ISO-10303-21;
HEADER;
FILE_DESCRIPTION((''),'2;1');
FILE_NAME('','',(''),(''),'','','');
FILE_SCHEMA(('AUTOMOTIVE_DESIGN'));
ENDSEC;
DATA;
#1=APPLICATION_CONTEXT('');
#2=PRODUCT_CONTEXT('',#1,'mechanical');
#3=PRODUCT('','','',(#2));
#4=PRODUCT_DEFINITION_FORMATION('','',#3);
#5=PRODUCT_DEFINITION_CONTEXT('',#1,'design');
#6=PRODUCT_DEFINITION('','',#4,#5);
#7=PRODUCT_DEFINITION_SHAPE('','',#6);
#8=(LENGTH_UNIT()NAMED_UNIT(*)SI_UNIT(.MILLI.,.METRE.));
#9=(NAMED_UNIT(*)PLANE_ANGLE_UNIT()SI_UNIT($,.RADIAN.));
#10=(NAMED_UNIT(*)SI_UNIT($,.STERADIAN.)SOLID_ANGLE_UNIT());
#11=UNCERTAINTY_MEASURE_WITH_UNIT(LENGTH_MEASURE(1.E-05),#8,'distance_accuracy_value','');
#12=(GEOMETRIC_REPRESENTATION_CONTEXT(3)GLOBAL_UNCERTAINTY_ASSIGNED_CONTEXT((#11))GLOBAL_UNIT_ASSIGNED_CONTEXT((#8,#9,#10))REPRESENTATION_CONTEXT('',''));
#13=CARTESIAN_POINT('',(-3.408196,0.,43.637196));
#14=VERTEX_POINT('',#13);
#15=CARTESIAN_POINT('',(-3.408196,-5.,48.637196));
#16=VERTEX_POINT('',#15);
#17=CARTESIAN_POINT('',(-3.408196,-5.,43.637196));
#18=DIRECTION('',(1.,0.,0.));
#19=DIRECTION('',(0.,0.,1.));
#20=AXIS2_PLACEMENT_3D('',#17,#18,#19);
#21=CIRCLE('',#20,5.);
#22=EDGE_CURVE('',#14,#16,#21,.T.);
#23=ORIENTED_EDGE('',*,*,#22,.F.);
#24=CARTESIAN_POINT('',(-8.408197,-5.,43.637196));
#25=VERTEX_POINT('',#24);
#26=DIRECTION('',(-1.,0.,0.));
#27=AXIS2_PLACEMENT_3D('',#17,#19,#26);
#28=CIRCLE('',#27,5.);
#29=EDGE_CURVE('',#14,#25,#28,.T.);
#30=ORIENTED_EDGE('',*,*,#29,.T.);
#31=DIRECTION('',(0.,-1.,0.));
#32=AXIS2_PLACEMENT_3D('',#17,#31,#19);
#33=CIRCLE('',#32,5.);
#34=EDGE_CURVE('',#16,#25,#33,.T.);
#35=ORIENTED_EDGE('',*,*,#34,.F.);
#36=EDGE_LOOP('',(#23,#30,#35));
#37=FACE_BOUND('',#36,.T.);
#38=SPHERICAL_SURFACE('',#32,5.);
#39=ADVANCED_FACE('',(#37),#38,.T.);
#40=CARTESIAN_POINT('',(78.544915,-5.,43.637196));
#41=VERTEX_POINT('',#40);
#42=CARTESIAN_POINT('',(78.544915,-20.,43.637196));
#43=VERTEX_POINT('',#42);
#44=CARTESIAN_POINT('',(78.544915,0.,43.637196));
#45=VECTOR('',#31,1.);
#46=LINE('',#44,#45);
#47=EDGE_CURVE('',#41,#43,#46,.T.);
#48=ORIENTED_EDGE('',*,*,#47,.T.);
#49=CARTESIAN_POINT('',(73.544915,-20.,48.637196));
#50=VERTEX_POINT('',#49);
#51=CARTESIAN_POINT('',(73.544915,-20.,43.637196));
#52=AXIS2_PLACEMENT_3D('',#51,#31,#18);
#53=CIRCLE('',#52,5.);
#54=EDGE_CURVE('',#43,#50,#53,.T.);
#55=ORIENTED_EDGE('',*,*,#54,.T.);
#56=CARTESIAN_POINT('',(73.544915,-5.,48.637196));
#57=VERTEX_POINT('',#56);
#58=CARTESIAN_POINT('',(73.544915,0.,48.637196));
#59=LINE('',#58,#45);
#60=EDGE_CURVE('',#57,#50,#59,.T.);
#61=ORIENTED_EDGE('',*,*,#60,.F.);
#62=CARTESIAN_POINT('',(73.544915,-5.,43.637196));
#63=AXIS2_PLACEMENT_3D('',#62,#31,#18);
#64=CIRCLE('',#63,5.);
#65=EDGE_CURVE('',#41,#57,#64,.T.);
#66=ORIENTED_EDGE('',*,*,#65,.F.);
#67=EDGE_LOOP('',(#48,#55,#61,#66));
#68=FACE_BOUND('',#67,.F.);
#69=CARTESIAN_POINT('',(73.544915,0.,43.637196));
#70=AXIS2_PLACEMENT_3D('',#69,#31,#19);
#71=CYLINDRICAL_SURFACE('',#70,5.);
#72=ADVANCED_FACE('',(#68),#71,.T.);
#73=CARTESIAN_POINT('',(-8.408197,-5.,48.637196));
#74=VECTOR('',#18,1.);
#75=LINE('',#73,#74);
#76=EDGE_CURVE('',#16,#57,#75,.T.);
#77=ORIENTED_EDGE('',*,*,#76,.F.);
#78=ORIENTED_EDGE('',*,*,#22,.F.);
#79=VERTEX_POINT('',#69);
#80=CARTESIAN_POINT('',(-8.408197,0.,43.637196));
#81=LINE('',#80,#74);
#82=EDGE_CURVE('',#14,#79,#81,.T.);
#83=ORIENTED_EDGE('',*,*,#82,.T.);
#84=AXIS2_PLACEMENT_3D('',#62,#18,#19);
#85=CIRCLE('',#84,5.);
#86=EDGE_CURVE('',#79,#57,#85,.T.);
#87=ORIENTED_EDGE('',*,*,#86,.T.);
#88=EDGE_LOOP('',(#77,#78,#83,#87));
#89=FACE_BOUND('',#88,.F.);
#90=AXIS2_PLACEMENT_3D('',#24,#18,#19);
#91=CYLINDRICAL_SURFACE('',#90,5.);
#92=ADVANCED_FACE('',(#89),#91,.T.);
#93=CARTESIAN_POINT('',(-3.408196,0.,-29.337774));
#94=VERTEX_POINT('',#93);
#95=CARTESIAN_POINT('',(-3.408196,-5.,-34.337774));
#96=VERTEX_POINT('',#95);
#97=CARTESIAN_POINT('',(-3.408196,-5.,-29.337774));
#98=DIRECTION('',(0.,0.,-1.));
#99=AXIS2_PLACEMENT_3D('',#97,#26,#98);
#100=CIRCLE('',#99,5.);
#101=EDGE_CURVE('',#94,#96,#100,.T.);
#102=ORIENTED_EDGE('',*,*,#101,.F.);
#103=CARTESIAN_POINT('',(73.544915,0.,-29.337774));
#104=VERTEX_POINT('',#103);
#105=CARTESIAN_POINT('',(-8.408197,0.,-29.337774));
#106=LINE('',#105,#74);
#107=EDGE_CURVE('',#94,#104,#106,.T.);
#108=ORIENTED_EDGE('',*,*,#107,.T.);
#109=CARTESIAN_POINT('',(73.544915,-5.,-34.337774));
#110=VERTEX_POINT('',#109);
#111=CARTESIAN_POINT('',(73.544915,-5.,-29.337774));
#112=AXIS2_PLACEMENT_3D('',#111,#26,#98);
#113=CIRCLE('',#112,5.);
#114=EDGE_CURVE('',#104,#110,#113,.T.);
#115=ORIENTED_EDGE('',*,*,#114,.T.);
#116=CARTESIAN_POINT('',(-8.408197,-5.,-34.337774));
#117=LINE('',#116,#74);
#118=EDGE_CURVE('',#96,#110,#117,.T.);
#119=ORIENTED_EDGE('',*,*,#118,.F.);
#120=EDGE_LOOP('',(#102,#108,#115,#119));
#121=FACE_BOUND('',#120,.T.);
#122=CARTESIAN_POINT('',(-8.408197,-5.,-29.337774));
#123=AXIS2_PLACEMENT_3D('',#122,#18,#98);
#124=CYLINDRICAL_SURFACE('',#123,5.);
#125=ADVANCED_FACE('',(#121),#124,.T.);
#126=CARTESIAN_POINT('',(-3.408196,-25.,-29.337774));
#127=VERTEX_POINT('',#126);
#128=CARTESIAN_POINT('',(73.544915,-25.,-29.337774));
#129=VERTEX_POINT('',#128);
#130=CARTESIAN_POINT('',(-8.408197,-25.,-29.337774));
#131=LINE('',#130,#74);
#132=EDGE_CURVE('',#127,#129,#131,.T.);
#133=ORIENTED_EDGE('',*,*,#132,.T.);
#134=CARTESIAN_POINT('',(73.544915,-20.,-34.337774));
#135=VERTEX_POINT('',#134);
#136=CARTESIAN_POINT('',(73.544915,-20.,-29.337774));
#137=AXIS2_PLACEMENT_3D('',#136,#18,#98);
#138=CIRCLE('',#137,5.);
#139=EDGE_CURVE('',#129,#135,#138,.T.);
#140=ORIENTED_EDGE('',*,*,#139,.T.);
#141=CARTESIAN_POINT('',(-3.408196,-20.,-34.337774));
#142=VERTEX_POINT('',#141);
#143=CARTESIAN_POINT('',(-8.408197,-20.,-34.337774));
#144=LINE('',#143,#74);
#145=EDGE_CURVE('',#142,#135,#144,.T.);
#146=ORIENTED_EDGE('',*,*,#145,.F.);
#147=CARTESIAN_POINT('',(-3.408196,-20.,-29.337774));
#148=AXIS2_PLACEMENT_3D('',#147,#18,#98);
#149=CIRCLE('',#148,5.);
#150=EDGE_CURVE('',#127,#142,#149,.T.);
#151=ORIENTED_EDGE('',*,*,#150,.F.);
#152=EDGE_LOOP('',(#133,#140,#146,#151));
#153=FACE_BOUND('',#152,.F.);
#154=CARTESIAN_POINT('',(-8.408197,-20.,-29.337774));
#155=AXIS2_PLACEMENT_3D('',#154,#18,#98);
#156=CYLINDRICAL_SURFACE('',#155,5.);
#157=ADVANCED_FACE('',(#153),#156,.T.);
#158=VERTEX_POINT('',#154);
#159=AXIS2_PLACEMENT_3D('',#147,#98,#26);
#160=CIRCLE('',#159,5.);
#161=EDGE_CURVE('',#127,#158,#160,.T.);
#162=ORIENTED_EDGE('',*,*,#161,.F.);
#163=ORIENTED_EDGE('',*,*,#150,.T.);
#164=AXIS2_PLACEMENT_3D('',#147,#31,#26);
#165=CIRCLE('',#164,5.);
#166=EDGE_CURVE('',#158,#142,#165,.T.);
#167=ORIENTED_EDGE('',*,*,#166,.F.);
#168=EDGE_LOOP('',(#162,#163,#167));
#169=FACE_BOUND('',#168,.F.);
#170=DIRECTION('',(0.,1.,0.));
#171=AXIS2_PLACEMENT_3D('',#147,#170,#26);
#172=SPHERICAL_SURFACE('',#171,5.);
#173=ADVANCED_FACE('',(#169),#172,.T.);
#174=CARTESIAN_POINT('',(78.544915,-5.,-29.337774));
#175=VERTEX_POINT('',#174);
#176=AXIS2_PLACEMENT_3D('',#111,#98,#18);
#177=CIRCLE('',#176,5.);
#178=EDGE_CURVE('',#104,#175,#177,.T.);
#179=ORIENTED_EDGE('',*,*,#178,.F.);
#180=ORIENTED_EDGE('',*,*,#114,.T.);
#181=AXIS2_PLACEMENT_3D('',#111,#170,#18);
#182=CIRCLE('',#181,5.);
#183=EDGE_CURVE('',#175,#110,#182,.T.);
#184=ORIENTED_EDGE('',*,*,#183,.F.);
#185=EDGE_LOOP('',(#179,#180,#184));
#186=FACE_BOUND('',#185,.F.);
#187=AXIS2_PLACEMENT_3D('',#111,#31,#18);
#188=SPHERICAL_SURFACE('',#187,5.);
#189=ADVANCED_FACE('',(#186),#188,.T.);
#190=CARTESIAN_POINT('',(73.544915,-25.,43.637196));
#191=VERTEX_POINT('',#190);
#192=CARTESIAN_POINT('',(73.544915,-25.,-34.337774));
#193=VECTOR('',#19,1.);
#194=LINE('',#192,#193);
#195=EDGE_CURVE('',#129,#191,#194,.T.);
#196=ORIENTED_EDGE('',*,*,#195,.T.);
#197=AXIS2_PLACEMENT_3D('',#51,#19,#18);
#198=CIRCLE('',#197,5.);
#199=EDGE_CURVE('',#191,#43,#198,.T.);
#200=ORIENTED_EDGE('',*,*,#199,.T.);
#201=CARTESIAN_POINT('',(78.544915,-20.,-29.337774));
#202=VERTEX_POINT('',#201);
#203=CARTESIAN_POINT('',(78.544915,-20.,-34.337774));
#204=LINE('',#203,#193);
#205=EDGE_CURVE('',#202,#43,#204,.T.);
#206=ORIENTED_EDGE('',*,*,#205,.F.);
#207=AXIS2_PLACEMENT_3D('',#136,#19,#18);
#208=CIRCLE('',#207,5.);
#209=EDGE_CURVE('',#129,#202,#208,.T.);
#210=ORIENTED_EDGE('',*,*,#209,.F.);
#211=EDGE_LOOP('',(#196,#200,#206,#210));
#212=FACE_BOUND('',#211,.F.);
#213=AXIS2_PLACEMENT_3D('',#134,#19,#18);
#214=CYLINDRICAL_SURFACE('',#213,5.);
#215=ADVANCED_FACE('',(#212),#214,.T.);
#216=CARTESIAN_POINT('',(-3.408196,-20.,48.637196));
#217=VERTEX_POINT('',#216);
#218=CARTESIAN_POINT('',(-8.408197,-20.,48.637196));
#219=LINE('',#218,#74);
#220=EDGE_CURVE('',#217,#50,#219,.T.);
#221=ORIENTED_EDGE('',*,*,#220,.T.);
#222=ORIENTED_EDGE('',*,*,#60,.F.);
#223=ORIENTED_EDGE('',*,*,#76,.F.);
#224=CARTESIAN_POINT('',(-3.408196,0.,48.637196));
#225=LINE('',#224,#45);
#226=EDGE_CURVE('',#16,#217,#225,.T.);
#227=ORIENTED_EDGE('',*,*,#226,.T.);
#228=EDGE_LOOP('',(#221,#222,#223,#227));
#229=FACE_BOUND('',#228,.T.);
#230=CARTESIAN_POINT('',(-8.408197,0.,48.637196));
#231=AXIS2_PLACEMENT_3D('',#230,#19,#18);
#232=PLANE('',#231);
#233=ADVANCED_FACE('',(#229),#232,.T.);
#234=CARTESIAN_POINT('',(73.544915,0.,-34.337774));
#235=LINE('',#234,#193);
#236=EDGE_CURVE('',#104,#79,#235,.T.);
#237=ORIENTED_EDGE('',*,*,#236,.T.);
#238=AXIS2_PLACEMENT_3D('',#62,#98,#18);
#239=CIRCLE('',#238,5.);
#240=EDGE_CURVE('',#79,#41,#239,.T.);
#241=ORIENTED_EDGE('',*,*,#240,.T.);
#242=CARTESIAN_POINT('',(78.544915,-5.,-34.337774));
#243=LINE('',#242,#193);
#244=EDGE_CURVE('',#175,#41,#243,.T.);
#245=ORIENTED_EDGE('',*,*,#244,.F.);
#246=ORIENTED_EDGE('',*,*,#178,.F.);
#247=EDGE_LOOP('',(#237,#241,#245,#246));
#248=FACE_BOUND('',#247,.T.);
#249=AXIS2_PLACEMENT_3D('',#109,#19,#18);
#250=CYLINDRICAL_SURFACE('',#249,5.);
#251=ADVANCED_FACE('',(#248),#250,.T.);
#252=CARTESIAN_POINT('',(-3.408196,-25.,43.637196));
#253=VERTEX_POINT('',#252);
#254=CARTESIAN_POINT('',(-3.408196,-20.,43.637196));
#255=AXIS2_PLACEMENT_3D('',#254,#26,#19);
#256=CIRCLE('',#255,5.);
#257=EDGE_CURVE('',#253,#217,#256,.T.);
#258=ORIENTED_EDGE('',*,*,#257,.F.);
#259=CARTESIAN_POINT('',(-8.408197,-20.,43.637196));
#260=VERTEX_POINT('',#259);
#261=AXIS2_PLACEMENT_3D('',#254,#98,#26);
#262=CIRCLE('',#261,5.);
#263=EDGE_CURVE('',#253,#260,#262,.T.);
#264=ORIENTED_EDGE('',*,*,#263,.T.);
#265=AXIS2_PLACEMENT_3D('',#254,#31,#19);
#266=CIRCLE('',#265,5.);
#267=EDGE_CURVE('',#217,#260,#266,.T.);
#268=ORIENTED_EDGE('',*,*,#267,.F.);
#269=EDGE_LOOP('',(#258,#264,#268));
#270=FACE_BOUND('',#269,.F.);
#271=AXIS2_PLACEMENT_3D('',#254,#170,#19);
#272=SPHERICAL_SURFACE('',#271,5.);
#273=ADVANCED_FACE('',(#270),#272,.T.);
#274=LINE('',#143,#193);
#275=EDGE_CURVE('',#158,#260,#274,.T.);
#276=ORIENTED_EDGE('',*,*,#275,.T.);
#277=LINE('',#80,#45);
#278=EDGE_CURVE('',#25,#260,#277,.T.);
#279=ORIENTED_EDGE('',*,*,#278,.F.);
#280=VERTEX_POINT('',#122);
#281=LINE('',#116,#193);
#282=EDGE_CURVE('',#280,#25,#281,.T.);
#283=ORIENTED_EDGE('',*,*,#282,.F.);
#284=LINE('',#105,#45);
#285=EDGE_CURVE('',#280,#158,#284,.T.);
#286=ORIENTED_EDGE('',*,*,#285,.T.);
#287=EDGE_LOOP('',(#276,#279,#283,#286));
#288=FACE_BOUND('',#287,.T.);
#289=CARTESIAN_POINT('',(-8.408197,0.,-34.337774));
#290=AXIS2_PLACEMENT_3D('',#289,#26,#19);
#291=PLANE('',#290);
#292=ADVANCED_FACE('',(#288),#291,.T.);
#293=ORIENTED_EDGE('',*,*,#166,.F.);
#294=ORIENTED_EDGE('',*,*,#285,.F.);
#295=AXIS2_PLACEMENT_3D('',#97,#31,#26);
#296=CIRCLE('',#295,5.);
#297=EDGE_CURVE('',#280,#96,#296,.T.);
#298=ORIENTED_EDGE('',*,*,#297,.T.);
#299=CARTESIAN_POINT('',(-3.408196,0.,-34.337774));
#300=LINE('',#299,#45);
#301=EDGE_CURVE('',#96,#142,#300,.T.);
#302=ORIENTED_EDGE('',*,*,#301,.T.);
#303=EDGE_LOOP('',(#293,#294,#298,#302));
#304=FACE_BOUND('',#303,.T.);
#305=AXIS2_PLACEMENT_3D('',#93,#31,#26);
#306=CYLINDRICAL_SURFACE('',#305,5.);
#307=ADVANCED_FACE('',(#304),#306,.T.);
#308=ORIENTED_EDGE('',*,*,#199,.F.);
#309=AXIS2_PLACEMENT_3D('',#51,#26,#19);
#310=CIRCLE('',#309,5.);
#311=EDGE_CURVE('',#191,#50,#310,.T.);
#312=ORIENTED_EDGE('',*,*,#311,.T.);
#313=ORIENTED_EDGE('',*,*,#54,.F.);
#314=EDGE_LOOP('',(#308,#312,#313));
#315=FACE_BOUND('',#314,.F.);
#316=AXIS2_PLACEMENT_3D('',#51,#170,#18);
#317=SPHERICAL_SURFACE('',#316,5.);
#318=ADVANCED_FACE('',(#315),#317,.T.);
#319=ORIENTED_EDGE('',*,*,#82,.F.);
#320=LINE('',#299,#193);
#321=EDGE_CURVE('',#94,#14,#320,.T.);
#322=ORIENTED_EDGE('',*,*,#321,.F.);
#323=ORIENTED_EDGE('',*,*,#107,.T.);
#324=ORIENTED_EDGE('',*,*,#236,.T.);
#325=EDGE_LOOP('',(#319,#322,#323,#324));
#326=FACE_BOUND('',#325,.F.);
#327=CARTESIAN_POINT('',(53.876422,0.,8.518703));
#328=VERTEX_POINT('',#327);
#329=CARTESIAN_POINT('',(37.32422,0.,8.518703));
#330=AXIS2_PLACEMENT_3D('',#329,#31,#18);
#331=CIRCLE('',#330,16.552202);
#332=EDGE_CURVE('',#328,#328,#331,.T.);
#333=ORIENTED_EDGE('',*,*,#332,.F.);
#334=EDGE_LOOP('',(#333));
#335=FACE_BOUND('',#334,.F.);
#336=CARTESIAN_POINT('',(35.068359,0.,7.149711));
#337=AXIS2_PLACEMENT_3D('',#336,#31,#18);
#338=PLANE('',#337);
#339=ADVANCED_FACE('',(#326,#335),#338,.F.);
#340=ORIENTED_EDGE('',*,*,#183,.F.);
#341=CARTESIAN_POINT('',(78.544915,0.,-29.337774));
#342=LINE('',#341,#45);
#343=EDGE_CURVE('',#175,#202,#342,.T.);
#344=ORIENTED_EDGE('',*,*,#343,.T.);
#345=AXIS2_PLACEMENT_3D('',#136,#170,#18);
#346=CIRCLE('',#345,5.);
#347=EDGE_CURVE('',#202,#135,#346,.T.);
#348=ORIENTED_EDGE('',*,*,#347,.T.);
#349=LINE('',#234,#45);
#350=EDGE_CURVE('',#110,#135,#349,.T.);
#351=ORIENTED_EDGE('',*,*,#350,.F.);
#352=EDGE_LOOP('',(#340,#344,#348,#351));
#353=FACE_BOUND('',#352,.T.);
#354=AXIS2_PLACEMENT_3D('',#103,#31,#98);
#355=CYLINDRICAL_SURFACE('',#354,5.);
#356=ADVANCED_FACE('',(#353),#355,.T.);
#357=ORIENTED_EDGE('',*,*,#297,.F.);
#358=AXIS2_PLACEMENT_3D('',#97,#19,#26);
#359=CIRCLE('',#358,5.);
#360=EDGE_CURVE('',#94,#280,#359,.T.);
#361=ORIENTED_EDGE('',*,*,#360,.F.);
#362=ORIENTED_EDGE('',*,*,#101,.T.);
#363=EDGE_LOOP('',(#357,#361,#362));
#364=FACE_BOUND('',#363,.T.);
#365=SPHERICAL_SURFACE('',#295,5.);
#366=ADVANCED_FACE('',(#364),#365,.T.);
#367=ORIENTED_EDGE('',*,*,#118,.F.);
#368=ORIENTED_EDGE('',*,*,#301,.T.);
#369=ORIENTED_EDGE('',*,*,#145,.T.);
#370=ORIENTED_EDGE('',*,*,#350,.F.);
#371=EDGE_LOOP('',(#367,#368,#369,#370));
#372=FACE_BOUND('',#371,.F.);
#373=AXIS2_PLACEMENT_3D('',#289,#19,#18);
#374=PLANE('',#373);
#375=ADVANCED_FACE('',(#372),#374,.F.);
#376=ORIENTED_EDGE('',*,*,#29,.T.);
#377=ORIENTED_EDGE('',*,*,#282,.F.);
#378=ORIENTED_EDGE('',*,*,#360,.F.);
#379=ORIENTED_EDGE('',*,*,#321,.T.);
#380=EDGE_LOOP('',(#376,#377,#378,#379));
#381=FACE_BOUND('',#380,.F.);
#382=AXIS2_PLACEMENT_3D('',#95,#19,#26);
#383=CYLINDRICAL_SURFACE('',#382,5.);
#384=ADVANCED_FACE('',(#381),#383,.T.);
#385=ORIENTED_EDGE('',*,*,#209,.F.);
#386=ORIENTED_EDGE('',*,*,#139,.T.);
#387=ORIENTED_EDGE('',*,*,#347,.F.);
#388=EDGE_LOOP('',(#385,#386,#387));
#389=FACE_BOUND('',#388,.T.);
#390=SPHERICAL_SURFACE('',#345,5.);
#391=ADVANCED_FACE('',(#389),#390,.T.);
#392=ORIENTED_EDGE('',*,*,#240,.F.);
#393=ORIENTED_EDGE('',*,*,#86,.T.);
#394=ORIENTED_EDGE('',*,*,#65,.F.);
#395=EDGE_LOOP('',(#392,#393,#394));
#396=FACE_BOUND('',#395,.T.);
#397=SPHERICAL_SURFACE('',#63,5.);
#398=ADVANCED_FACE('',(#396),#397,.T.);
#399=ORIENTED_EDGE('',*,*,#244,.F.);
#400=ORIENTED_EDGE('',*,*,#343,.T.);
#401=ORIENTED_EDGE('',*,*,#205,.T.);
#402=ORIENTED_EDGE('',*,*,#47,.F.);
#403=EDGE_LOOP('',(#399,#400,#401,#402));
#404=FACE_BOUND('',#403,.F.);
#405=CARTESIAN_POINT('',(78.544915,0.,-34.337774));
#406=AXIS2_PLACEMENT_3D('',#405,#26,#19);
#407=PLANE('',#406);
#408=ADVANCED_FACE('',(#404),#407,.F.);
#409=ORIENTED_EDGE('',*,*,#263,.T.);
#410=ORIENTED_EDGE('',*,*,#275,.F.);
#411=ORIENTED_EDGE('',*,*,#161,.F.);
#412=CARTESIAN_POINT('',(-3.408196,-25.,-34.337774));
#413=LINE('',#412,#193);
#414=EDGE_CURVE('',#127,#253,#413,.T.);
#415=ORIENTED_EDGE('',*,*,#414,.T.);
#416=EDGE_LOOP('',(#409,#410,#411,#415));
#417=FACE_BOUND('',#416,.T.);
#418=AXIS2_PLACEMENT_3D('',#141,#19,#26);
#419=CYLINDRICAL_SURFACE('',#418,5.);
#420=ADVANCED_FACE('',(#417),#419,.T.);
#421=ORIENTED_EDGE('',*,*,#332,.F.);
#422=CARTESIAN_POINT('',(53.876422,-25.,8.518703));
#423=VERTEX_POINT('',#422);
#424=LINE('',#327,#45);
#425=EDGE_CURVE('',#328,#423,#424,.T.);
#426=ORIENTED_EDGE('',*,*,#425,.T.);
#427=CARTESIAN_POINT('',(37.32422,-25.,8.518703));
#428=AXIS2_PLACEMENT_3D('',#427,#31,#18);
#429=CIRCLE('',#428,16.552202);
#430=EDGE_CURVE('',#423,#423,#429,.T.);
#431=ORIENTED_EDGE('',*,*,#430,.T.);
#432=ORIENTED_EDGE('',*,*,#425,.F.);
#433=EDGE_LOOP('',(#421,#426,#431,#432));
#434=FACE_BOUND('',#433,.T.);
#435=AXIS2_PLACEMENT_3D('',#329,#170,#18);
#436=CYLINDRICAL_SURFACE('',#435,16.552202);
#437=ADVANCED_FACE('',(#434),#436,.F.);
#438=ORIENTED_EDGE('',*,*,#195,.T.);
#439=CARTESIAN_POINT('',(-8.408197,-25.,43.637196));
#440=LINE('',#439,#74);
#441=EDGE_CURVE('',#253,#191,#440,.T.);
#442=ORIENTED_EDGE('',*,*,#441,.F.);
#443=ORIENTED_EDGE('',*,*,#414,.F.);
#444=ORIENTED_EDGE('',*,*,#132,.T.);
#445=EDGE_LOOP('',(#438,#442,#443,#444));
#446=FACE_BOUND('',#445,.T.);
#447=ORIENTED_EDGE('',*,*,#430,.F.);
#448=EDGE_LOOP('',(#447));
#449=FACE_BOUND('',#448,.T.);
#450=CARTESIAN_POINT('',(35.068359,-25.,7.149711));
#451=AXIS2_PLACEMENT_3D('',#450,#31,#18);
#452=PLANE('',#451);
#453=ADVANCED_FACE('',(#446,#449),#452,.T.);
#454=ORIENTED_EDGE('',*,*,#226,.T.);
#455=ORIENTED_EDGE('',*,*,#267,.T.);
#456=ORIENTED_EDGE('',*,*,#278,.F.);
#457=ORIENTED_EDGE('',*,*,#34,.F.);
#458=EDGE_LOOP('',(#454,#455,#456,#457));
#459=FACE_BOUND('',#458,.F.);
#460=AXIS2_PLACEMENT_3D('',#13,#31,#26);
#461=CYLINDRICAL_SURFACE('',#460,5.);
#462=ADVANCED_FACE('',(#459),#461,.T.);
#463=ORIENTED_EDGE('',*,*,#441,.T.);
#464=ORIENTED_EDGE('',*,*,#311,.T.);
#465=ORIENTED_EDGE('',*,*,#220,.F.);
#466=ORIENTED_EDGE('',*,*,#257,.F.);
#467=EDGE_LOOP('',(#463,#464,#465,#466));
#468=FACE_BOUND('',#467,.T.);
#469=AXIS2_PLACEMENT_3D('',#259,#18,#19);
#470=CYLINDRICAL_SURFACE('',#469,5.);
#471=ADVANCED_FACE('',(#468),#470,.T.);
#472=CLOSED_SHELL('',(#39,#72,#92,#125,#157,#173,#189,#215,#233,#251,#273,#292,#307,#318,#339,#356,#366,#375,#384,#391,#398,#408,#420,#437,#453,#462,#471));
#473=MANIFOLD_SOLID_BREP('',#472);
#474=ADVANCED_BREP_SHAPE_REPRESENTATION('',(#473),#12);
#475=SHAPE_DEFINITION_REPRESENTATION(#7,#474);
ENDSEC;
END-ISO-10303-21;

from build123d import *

# Parameters (mm, degrees)
F0_W     = 86.953111
F0_H     = 82.97497
F0_R     = 16.552202
F1_DEPTH = 25
F2_R     = 5


with BuildPart() as f1:
    # F0 (on Front) → F1 (new body)
    with BuildSketch(Plane.XZ):
        with Locations((35.068359, 7.149711)):
            Rectangle(F0_W, F0_H)
        with Locations((37.32422, 8.518703)):
            Circle(F0_R, mode=Mode.SUBTRACT)
    extrude(amount=F1_DEPTH)

    # F2
    f2_edges = [f1.edges().sort_by_distance(p)[0] for p in [
        (78.544915, -12.5, -34.337774),
        (78.544915, -12.5, 48.637196),
        (78.544915, 0, 7.149711),
        (78.544915, -25, 7.149711),
        (-8.408196, -12.5, 48.637196),
        (35.068359, 0, 48.637196),
        (35.068359, -25, 48.637196),
        (-8.408196, -12.5, -34.337774),
        (-8.408196, 0, 7.149711),
        (-8.408196, -25, 7.149711),
        (35.068359, 0, -34.337774),
        (35.068359, -25, -34.337774),
    ]]
    fillet(f2_edges, radius=F2_R)


solid = f1.part
